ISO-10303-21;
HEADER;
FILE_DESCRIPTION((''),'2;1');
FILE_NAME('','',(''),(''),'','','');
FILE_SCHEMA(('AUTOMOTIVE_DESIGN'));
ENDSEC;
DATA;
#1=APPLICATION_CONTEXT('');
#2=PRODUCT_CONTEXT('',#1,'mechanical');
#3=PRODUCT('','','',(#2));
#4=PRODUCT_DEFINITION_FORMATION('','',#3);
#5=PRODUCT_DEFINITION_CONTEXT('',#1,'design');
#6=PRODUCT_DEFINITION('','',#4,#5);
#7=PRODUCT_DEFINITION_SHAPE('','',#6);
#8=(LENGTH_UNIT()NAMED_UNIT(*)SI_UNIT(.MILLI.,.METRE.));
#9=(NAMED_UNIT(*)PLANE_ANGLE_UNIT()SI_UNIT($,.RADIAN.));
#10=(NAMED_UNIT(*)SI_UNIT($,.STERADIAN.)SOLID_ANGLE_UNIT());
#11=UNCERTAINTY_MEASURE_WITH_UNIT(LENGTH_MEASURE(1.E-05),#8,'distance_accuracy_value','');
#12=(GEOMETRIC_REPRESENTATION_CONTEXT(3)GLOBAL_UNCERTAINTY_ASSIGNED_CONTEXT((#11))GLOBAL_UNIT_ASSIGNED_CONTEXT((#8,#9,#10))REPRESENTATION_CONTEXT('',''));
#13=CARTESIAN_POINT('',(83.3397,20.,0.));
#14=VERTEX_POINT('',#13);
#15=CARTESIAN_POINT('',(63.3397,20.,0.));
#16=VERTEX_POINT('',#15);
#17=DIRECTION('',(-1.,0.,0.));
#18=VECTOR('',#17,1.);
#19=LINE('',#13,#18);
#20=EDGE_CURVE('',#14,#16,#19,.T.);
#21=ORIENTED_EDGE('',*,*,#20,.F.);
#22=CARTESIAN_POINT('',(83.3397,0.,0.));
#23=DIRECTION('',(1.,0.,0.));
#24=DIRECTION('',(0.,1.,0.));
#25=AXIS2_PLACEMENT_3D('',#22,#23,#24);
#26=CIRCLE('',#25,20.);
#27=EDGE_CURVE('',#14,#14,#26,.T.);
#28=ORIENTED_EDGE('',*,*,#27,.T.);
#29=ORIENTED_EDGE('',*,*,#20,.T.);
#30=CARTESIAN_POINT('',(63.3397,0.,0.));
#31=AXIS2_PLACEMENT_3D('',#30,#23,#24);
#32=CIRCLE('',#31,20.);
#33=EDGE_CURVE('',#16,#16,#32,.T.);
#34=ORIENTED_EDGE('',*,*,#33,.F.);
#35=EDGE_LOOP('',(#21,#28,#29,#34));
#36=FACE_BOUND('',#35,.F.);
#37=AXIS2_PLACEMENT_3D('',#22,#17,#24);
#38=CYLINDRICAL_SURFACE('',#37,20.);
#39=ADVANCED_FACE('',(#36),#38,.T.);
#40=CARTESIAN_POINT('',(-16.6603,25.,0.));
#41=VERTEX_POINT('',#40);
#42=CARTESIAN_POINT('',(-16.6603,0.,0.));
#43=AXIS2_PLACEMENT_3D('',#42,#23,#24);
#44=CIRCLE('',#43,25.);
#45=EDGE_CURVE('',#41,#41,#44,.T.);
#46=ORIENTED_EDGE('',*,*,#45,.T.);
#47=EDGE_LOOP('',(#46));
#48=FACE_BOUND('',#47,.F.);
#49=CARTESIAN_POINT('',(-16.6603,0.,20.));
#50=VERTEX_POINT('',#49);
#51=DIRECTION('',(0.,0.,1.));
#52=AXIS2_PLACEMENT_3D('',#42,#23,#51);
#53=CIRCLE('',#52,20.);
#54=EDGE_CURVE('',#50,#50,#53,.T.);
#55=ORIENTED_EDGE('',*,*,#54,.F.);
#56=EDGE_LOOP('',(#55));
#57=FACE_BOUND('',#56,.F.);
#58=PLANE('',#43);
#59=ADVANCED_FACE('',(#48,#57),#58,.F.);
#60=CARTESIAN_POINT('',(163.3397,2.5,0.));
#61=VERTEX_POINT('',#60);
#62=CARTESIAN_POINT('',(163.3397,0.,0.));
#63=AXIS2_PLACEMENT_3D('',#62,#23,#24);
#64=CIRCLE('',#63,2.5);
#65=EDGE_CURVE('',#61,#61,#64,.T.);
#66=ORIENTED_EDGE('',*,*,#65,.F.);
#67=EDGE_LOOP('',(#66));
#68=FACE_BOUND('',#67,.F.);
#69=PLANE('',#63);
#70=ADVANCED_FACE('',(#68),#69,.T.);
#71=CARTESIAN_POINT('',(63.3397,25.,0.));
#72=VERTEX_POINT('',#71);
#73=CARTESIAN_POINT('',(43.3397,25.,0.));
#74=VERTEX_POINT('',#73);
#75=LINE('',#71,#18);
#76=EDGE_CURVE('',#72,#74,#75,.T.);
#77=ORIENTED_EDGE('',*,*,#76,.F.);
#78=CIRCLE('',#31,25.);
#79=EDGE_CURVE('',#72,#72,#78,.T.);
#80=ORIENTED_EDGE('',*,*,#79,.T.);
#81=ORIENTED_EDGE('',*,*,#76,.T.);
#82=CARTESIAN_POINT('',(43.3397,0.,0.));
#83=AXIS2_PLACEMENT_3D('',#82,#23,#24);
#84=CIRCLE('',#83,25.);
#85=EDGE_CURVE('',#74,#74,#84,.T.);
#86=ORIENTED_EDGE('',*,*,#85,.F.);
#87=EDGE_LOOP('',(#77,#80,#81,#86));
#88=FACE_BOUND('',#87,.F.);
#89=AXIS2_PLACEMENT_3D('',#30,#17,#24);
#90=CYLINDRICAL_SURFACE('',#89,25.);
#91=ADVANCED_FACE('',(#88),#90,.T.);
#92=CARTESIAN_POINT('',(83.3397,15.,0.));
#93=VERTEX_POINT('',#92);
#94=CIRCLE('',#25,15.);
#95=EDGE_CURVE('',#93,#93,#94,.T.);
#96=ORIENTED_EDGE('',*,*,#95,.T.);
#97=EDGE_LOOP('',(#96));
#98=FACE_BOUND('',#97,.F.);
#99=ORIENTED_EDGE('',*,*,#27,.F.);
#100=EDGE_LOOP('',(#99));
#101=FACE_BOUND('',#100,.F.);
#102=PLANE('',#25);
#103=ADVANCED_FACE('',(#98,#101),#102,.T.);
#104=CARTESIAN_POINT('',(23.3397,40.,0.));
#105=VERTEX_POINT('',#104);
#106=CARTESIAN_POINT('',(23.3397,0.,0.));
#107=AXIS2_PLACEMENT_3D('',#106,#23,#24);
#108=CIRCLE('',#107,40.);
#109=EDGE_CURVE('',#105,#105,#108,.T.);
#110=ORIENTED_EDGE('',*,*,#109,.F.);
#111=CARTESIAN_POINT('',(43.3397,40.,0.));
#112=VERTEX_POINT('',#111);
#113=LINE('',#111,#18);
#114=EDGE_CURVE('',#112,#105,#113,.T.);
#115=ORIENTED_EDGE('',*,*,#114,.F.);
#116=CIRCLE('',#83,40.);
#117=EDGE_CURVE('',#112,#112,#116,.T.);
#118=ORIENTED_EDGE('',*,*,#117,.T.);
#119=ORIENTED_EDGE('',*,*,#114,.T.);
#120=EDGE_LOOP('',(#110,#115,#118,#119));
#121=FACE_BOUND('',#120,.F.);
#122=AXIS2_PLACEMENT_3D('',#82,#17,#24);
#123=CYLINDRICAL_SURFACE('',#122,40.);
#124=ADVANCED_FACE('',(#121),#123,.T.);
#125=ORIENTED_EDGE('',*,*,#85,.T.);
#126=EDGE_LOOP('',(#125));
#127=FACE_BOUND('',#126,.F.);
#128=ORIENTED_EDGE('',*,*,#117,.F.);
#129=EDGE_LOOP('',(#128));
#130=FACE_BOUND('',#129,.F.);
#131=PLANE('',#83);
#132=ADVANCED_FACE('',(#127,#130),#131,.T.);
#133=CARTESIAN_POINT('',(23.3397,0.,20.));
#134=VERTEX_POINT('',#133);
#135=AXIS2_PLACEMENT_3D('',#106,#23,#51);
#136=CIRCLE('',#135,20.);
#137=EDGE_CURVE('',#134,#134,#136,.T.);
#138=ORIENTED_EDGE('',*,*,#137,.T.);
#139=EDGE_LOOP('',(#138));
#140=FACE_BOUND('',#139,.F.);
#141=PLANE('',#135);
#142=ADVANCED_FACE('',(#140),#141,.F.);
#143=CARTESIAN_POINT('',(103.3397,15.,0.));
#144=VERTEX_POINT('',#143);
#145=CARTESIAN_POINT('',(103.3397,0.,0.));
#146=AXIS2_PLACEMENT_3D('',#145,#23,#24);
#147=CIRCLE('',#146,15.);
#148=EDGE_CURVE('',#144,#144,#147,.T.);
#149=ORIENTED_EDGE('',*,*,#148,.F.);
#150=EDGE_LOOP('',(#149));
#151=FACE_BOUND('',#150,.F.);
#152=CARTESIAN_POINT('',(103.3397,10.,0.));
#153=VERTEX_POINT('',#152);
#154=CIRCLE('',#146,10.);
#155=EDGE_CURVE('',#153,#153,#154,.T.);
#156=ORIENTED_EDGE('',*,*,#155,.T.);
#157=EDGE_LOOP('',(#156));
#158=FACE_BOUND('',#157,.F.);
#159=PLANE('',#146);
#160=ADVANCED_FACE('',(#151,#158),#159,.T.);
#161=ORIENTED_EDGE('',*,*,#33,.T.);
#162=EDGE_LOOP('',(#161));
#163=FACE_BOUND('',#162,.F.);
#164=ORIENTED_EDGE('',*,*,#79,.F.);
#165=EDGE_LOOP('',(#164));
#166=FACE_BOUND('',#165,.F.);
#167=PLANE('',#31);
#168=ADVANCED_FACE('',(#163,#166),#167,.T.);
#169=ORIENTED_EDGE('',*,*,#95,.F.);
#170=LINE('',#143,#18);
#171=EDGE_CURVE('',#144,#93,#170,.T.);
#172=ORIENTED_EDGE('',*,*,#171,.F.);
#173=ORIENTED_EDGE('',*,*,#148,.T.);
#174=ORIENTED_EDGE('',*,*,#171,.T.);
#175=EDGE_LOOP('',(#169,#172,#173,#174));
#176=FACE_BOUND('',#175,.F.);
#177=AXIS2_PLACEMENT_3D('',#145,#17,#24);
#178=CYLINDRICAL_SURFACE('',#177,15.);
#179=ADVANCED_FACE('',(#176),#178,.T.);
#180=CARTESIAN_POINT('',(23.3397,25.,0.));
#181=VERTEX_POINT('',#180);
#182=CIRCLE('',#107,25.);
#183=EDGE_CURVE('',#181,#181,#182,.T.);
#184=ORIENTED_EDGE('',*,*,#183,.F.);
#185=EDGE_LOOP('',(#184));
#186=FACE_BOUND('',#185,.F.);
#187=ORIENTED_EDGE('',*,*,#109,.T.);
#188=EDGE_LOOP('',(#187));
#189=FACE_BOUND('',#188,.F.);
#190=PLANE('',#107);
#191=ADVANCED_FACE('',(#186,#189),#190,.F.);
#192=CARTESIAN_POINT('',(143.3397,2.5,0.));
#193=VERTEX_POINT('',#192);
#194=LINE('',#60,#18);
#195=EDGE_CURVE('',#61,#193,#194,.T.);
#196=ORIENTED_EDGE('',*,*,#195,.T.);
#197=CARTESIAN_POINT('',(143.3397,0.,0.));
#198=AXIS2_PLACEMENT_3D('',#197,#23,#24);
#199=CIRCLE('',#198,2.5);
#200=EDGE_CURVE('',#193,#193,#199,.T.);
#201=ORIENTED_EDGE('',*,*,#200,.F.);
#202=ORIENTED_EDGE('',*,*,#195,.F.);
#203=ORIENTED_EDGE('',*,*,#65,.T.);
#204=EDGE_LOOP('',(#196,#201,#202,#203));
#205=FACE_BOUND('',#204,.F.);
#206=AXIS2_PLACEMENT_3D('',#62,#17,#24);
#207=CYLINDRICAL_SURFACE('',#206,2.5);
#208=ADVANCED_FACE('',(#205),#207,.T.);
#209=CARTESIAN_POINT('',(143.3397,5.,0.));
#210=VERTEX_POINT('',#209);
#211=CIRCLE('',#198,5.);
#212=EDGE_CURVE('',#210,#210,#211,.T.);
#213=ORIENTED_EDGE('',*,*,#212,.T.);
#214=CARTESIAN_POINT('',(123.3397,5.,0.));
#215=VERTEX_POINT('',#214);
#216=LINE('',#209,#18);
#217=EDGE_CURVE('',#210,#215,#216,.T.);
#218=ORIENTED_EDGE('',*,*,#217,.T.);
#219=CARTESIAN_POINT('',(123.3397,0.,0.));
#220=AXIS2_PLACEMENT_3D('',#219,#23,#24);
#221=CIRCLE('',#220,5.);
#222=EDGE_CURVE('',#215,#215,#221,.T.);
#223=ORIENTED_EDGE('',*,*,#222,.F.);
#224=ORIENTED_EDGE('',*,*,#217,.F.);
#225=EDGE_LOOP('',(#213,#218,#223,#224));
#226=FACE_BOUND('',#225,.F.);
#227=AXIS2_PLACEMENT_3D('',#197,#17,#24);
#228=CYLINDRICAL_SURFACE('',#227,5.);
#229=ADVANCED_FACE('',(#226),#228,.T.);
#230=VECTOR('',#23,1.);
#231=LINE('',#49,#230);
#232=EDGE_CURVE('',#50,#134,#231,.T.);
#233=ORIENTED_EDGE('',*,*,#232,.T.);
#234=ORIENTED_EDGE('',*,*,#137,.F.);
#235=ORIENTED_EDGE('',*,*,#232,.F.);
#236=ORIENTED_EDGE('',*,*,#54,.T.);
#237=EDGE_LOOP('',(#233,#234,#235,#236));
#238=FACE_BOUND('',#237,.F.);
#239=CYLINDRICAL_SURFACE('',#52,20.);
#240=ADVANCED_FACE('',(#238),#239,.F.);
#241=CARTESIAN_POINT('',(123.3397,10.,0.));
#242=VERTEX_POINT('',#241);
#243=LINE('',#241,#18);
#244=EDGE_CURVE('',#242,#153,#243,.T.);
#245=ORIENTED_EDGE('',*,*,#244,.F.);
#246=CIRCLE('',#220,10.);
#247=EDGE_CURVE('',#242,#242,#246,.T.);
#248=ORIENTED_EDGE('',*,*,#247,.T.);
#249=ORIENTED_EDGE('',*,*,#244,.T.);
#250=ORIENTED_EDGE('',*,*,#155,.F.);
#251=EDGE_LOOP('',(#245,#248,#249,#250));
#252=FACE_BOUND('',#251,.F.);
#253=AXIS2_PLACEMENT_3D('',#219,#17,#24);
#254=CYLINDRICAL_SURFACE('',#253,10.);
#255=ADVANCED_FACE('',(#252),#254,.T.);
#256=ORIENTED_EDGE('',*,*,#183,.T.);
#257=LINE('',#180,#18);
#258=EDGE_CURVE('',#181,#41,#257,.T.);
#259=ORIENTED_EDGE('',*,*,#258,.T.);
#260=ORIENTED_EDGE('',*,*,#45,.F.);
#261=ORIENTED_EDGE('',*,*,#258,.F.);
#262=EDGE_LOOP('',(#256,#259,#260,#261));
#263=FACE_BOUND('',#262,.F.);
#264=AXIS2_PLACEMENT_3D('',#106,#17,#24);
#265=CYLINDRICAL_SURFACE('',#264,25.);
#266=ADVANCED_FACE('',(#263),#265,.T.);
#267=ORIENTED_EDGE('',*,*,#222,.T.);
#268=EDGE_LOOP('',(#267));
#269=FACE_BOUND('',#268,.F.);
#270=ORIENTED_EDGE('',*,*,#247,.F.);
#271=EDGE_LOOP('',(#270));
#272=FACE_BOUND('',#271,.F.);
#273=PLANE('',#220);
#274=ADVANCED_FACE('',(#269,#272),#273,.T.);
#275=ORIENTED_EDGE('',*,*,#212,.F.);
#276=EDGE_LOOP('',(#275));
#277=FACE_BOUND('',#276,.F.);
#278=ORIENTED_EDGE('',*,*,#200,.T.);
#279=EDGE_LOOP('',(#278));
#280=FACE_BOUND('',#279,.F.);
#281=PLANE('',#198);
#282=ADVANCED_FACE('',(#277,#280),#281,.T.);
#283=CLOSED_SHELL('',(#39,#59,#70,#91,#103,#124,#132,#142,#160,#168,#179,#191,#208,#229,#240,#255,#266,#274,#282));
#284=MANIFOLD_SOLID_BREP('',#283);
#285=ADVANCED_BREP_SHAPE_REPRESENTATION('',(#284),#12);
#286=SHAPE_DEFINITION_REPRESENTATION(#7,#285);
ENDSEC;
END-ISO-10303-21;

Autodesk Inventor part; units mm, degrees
ref_plane "YZ Plane" through (0, 0, 0) normal (1, 0, 0) x (0, 1, 0)
ref_plane "XZ Plane" through (0, 0, 0) normal (0, 1, 0) x (-1, 0, 0)
ref_plane "XY Plane" through (0, 0, 0) normal (0, 0, 1) x (1, 0, 0)
sketch "Szkic1" plane through (0, 0, 0) normal (0, 0, 1) x (1, 0, 0)
  line L0 (-16.6603, 0) -> (23.3397, 0)
  line L1 (23.3397, 0) -> (23.3397, 25)
  line L2 (23.3397, 25) -> (-16.6603, 25)
  line L3 (-16.6603, 25) -> (-16.6603, 0)
  line L4 (23.3397, 0) -> (43.3397, 0)
  line L5 (43.3397, 0) -> (43.3397, 40)
  line L6 (43.3397, 40) -> (23.3397, 40)
  line L7 (23.3397, 40) -> (23.3397, 0)
  line L8 (43.3397, 0) -> (63.3397, 0)
  line L9 (63.3397, 0) -> (63.3397, 25)
  line L10 (63.3397, 25) -> (43.3397, 25)
  line L11 (43.3397, 25) -> (43.3397, 0)
  line L12 (63.3397, 0) -> (83.3397, 0)
  line L13 (83.3397, 0) -> (83.3397, 20)
  line L14 (83.3397, 20) -> (63.3397, 20)
  line L15 (63.3397, 20) -> (63.3397, 0)
  line L16 (83.3397, 0) -> (103.3397, 0)
  line L17 (103.3397, 0) -> (103.3397, 15)
  line L18 (103.3397, 15) -> (83.3397, 15)
  line L19 (83.3397, 15) -> (83.3397, 0)
  line L20 (103.3397, 0) -> (123.3397, 0)
  line L21 (123.3397, 0) -> (123.3397, 10)
  line L22 (123.3397, 10) -> (103.3397, 10)
  line L23 (103.3397, 10) -> (103.3397, 0)
  line L24 (123.3397, 0) -> (143.3397, 0)
  line L25 (143.3397, 0) -> (143.3397, 5)
  line L26 (143.3397, 5) -> (123.3397, 5)
  line L27 (123.3397, 5) -> (123.3397, 0)
  line L28 (143.3397, 0) -> (163.3397, 0)
  line L29 (163.3397, 0) -> (163.3397, 2.5)
  line L30 (163.3397, 2.5) -> (143.3397, 2.5)
  line L31 (143.3397, 2.5) -> (143.3397, 0)
  point P0 (0, 0)
  dimension "d0" = 40
  dimension "d1" = 25
  dimension "d2" = 20
  dimension "d3" = 40
  dimension "d4" = 20
  dimension "d5" = 25
  dimension "d6" = 20
  dimension "d7" = 20
  dimension "d8" = 20
  dimension "d9" = 15
  dimension "d10" = 20
  dimension "d11" = 10
  dimension "d12" = 20
  dimension "d13" = 5
  dimension "d14" = 20
  dimension "d15" = 2.5
revolve "Obrót1" add sketch "Szkic1" angle 360 about axis through (-16.6603, 0, 0) along (1, 0, 0)
sketch "Szkic2" plane through (-16.6603, 0, 0) normal (-1, 0, 0) x (0, 0, 1)
  point P0 (0, 0)
hole "Otwór1" at (-16.6603, 0, 0) direction (1, 0, 0) diameter 40 depth 40
